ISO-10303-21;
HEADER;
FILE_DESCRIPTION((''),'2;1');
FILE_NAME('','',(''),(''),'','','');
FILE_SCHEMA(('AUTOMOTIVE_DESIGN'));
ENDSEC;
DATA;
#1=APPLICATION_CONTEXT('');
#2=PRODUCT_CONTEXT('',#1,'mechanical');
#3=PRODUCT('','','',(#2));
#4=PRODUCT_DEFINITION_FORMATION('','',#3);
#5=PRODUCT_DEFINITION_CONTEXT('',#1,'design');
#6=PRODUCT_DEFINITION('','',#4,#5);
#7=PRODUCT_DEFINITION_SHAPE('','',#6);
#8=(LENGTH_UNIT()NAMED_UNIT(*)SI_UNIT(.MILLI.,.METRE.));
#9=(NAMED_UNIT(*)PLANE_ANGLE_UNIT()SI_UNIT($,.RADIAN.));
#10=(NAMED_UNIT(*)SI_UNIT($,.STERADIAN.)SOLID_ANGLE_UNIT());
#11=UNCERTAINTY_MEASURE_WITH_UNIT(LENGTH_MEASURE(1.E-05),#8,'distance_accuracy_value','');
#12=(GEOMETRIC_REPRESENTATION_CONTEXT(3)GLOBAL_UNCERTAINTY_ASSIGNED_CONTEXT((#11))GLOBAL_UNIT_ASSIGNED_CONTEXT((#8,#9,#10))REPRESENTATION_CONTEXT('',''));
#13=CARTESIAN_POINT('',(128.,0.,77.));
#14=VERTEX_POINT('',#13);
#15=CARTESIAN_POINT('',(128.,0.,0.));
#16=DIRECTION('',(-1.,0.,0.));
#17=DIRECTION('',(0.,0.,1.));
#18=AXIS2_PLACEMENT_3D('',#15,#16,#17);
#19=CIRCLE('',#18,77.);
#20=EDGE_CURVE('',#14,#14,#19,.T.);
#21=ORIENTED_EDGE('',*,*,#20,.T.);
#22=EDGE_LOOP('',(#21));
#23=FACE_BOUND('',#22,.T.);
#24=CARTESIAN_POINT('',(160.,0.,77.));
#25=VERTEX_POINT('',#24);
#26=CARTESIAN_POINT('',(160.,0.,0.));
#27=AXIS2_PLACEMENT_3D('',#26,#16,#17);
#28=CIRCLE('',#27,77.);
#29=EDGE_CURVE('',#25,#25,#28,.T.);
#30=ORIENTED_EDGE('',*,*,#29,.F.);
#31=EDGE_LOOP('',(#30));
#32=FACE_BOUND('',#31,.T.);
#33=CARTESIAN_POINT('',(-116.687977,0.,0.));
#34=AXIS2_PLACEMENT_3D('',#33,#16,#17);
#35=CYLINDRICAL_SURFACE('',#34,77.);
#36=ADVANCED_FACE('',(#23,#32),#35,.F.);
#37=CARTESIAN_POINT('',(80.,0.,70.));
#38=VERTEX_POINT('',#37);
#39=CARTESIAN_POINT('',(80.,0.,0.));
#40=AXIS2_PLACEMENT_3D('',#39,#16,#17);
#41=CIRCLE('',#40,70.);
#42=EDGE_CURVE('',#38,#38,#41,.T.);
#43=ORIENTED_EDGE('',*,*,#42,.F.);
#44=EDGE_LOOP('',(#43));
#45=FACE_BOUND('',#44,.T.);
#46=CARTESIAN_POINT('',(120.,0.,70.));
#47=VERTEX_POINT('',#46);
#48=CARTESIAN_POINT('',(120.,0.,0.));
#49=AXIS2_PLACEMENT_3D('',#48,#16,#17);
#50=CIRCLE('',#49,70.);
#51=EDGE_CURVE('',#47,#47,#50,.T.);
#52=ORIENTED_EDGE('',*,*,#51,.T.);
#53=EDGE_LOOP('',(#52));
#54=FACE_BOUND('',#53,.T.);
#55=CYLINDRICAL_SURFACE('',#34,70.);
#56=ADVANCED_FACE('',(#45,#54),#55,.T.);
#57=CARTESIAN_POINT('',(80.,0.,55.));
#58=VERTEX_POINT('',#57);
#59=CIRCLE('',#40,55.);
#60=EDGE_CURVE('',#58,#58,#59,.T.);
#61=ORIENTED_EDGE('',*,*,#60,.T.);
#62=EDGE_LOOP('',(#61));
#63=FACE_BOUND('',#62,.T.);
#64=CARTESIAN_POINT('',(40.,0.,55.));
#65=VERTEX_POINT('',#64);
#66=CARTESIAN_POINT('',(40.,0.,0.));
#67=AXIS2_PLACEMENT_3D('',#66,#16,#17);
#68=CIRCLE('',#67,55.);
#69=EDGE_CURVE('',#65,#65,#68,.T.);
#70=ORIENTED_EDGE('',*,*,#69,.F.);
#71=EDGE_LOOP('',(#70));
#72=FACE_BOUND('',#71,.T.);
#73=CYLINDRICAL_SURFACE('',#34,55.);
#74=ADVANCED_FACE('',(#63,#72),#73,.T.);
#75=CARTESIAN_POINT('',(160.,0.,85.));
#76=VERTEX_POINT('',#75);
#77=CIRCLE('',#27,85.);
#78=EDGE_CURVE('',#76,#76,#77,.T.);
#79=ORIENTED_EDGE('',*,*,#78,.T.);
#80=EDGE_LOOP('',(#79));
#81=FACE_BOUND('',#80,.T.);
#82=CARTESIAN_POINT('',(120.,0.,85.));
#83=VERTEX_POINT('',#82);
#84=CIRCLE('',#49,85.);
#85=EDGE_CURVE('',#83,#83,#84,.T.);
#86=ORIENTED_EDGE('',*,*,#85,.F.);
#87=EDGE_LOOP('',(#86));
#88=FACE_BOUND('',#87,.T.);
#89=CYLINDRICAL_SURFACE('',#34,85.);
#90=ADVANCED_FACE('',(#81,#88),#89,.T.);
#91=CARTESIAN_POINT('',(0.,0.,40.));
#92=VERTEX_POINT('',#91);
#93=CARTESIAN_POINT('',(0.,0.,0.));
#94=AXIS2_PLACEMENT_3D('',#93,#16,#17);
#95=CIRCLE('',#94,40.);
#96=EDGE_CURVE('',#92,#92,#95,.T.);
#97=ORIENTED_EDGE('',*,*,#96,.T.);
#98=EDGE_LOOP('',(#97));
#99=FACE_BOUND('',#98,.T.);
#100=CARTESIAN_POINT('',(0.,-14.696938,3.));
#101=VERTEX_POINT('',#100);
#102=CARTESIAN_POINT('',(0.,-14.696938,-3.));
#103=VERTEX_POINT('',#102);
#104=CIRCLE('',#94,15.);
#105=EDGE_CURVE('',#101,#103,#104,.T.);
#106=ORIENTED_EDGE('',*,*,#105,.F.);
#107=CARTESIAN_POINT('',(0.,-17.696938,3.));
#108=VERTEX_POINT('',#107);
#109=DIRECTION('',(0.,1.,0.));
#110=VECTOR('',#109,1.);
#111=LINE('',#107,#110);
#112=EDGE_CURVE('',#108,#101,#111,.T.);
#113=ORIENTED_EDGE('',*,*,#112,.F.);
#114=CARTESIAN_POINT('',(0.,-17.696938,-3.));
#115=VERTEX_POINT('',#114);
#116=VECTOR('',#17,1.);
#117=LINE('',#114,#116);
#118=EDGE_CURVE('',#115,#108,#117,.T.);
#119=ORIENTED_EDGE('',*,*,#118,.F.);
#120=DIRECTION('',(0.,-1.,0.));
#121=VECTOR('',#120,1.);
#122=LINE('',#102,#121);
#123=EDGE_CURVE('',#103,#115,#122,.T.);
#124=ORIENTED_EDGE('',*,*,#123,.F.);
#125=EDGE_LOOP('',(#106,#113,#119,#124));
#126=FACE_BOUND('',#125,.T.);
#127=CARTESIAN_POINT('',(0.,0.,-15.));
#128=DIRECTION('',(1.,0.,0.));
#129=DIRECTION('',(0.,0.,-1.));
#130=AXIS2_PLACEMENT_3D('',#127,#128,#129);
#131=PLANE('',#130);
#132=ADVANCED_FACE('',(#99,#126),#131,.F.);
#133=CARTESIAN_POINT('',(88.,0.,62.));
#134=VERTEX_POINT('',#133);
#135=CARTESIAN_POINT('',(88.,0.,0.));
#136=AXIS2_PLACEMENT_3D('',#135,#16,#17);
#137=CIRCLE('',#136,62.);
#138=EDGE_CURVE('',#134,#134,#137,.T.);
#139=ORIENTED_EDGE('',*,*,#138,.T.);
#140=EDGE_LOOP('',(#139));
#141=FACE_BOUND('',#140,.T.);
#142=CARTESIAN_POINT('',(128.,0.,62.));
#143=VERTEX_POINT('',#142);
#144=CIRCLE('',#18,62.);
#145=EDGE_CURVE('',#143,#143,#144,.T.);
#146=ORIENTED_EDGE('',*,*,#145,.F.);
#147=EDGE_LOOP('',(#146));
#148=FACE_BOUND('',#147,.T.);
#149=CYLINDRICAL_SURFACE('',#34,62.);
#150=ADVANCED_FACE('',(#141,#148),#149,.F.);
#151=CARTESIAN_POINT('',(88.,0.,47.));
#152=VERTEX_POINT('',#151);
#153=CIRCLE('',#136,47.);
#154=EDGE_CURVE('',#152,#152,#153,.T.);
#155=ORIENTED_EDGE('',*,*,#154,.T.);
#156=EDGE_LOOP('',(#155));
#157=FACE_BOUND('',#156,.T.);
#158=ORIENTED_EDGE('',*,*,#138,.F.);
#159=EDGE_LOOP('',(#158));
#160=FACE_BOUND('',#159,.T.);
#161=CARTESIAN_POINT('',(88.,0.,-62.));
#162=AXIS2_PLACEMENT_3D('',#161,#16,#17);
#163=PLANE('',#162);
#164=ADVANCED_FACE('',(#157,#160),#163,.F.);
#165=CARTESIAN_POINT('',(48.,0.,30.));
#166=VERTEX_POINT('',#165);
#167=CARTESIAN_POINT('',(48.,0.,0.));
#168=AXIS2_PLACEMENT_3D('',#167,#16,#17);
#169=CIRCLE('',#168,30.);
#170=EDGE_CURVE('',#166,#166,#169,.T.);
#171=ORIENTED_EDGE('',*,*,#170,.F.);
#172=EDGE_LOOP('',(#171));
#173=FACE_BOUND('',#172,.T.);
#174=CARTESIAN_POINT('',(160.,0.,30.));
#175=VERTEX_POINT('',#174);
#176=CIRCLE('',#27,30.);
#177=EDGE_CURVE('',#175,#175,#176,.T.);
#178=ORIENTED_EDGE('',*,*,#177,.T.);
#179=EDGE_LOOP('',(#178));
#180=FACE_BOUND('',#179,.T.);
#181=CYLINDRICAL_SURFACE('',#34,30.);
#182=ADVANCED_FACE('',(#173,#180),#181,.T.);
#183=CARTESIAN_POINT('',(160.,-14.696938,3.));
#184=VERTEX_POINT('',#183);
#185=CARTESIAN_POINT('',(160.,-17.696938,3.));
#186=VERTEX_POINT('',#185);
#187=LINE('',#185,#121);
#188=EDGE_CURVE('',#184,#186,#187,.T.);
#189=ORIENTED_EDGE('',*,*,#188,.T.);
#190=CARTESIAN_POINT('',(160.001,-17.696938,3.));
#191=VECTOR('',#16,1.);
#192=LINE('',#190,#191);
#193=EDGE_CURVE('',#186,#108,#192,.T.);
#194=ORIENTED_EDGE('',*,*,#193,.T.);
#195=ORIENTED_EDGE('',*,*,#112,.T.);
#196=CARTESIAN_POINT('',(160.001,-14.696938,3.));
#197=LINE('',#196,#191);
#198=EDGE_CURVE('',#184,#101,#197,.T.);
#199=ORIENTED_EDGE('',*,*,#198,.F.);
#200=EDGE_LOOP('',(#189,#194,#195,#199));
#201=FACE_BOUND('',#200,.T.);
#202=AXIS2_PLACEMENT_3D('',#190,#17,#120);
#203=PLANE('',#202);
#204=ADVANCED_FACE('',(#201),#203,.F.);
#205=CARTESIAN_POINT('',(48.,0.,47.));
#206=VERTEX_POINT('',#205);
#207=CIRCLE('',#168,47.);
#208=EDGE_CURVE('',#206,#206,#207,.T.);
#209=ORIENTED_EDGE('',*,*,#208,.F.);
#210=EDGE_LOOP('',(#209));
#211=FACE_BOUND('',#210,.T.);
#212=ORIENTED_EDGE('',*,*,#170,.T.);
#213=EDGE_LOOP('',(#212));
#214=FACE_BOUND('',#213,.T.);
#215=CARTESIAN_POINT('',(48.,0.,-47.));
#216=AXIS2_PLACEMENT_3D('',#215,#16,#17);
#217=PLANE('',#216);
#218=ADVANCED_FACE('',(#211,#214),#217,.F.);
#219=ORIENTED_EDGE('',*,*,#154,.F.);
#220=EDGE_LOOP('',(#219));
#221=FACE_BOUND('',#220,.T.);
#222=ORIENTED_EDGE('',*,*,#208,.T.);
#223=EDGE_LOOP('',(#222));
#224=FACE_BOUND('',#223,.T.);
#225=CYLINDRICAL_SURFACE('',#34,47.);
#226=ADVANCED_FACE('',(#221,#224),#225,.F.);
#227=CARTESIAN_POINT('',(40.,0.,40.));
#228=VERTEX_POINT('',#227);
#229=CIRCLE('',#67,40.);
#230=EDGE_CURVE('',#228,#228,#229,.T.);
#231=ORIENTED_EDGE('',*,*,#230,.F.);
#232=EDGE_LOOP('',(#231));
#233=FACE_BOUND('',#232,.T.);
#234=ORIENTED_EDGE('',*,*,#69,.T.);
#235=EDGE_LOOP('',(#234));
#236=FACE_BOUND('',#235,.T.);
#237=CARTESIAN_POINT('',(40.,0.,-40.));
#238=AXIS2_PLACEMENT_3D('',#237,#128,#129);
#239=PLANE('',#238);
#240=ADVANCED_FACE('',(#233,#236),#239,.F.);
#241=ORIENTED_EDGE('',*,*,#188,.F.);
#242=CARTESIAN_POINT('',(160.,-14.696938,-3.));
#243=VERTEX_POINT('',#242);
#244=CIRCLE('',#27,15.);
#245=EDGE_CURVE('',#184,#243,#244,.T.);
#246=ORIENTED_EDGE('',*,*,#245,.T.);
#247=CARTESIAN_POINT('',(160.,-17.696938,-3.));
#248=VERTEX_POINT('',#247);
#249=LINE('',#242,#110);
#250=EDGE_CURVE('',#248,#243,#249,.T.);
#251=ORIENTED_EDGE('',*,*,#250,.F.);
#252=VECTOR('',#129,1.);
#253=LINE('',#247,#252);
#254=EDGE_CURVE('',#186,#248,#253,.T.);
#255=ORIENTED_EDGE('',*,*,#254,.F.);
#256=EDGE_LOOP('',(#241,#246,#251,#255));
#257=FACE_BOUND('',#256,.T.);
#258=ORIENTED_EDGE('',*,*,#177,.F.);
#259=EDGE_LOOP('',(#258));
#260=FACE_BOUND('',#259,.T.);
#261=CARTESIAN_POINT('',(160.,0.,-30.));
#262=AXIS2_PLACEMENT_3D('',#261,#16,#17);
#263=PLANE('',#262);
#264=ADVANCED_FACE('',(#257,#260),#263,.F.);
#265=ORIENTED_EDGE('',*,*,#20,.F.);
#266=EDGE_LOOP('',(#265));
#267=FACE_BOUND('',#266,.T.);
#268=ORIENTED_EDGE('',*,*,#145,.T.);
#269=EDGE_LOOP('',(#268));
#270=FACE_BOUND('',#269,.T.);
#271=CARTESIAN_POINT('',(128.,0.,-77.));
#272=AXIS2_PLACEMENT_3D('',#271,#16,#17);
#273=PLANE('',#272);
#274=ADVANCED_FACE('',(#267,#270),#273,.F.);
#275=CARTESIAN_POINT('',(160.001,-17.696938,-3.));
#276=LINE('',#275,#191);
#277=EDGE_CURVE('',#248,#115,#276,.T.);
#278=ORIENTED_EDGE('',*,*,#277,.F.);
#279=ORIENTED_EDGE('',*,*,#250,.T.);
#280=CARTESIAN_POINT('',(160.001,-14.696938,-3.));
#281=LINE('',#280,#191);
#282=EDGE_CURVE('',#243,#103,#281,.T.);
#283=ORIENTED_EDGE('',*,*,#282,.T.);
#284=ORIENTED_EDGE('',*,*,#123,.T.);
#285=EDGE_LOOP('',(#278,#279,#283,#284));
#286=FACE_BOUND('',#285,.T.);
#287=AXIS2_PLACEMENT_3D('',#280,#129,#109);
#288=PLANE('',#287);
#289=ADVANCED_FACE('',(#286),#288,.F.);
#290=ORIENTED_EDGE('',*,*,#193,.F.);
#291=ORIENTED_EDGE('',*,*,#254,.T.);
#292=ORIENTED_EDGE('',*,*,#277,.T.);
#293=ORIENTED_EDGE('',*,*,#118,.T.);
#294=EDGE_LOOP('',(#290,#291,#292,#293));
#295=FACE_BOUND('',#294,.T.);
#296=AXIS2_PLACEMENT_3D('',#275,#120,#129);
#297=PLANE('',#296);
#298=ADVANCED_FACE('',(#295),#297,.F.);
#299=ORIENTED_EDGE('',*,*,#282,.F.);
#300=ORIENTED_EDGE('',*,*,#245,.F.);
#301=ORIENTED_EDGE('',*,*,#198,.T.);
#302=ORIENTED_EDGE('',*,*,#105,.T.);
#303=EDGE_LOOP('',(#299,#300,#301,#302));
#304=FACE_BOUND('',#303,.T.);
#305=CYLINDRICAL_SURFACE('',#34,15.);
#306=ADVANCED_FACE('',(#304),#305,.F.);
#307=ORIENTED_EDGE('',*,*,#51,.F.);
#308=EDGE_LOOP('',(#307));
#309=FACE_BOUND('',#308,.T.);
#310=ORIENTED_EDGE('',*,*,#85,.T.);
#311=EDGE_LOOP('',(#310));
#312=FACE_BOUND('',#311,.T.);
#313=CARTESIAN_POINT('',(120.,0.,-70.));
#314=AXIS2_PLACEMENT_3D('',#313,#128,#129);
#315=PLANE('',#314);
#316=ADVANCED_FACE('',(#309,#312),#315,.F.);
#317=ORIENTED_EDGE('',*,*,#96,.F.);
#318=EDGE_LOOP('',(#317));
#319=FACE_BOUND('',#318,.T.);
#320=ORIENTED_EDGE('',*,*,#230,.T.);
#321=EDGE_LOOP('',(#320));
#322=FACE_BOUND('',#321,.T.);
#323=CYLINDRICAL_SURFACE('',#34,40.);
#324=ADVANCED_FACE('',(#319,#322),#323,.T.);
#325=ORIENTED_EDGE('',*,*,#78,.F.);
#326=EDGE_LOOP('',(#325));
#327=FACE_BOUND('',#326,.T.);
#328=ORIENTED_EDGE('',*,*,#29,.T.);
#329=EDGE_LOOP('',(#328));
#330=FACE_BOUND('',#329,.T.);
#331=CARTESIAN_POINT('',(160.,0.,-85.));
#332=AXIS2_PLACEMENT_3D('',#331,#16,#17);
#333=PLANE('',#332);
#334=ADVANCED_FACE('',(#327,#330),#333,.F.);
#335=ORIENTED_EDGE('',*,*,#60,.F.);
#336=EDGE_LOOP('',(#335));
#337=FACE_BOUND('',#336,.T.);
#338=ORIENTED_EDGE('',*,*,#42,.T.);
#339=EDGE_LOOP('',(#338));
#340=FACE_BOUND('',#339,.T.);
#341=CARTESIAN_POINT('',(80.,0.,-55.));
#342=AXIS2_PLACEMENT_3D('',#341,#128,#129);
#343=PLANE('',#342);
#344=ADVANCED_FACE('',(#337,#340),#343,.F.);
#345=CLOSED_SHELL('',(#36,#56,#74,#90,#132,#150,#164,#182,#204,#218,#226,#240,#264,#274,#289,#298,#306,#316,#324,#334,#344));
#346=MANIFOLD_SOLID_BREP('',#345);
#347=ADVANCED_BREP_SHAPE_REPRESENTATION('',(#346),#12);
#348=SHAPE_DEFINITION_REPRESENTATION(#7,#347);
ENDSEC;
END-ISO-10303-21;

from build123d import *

# Parameters (mm, degrees)
CUT_EXTRUDE1_REACH = 202.125


with BuildPart() as part:
    # Sketch1 → Revolve1 (revolve)
    with BuildSketch(Plane(origin=(0, 0, 0), x_dir=(1, 0, 0), z_dir=(0, 1, 0)), mode=Mode.PRIVATE) as revolve1_sk:
        Polygon((0, 15), (0, 40), (40, 40), (40, 55), (80, 55), (80, 70), (120, 70), (120, 85), (160, 85), (160, 77), (128, 77), (128, 62), (88, 62), (88, 47), (48, 47), (48, 30), (160, 30), (160, 15), align=None)
    revolve(revolve1_sk.sketch.rotate(Axis((-116.687976722, 0, 0), (1, 0, 0)), 180), axis=Axis((-116.687976722, 0, 0), (1, 0, 0)))

    # Sketch2 → Cut-Extrude1 (cut, up to next)
    with BuildSketch(Plane.ZY, mode=Mode.PRIVATE) as cut_extrude1_sk1:
        with BuildLine():
            Line((-3, -14.696938457), (-3, -17.696938457))
            Line((-3, -17.696938457), (3, -17.696938457))
            Line((3, -17.696938457), (3, -14.696938457))
            ThreePointArc((3, -14.696938457), (0, -15), (-3, -14.696938457))
        make_face()
    cut_extrude1_tool1 = extrude(cut_extrude1_sk1.sketch, amount=-CUT_EXTRUDE1_REACH, mode=Mode.PRIVATE) & part.part
    add(cut_extrude1_tool1.solids().sort_by_distance((0, -16.29671, 0))[0], mode=Mode.SUBTRACT)


solid = part.part
